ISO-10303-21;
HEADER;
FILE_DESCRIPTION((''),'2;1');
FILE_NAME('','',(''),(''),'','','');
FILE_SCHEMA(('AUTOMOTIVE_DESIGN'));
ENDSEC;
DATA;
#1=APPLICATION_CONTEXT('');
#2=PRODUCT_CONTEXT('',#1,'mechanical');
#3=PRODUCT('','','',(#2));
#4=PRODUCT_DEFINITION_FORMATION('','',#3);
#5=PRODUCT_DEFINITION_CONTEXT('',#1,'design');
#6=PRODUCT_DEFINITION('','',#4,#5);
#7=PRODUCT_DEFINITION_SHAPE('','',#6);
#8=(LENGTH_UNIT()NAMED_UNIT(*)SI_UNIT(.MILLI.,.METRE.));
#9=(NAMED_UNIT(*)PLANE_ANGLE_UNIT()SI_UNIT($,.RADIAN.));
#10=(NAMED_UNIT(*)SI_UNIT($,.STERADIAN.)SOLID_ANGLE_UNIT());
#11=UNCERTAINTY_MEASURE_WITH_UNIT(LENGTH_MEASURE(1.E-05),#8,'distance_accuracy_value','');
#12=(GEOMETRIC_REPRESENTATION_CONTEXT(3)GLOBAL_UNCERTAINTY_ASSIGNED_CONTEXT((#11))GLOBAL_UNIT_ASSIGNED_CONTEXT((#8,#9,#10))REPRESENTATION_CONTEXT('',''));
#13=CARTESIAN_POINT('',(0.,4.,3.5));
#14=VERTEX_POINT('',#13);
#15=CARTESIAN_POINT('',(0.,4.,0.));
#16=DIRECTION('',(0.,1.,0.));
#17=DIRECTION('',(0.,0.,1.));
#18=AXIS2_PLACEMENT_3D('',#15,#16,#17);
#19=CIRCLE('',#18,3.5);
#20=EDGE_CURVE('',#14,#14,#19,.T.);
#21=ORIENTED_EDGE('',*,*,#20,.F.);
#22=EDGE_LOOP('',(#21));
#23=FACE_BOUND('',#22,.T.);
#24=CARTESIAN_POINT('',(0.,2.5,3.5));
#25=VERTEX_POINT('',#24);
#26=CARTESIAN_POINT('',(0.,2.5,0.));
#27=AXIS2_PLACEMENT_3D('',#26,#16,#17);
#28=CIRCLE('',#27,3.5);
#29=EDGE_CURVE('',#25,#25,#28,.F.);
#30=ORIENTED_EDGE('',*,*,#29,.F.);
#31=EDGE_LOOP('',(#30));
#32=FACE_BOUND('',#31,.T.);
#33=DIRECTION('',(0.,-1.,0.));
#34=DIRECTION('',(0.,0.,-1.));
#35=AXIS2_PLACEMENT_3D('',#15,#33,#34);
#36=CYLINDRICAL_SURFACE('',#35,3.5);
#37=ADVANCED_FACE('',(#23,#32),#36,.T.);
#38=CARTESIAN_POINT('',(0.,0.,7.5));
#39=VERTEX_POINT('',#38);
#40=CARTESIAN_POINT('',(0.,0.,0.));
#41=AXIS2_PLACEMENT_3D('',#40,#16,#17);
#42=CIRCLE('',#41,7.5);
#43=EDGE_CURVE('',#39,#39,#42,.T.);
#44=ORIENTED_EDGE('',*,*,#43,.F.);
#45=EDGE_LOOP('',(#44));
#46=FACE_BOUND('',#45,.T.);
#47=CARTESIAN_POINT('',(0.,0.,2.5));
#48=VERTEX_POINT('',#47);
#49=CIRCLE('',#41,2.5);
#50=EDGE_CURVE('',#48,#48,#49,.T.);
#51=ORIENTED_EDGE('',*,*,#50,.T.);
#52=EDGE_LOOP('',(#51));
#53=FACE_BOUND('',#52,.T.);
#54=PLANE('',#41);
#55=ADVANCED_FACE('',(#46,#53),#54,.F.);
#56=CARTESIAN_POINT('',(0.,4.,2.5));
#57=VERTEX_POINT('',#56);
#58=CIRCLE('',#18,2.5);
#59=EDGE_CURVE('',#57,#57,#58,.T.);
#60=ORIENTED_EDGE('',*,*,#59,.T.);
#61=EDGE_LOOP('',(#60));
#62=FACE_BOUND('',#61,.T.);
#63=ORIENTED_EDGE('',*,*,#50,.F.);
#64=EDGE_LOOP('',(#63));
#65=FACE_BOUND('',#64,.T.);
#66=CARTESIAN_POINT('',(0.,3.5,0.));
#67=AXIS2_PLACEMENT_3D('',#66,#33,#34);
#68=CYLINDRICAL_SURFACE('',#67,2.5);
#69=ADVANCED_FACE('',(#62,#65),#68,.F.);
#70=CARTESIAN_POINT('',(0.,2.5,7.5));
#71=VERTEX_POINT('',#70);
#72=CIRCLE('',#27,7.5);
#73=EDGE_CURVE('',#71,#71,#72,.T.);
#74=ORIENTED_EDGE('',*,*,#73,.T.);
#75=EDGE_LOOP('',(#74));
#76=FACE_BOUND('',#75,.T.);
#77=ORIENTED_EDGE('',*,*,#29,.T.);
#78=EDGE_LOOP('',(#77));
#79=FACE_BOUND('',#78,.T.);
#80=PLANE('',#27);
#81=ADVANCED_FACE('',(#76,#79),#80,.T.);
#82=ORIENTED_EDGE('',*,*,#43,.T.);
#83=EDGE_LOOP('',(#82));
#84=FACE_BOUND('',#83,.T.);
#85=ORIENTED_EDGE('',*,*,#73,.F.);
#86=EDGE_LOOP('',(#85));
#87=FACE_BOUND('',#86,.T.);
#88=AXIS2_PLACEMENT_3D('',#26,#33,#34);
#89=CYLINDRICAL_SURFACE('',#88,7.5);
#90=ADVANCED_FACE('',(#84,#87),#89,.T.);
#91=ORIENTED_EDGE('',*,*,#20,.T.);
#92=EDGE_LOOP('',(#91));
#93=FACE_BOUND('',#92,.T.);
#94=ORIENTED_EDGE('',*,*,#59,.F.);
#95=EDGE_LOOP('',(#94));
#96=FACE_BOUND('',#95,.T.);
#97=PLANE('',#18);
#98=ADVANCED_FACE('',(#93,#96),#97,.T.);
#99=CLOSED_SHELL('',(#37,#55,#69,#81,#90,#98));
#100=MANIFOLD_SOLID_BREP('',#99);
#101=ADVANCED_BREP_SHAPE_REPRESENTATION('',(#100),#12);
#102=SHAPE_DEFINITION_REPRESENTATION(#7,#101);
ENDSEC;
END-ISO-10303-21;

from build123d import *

# Parameters (mm, degrees)
SKETCH1_R           = 7.5
BOSS_EXTRUDE2_DEPTH = 2.5
SKETCH1_6_R         = 2.5
CUT_EXTRUDE1_DEPTH  = 3.5
SKETCH1_7_R         = 3.5
SKETCH1_7_R_2       = 2.5
BOSS_EXTRUDE3_DEPTH = 4


with BuildPart() as part:
    # Sketch1 → Boss-Extrude2 (new body)
    with BuildSketch(Plane(origin=(0, 0, 0), x_dir=(1, 0, 0), z_dir=(0, 1, 0))):
        Circle(SKETCH1_R)
    extrude(amount=BOSS_EXTRUDE2_DEPTH)

    # Sketch1<6> → Cut-Extrude1 (cut)
    with BuildSketch(Plane(origin=(0, 0, 0), x_dir=(1, 0, 0), z_dir=(0, 1, 0))):
        Circle(SKETCH1_6_R)
    extrude(amount=CUT_EXTRUDE1_DEPTH, mode=Mode.SUBTRACT)

    # Sketch1<7> → Boss-Extrude3 (add)
    with BuildSketch(Plane(origin=(0, 0, 0), x_dir=(1, 0, 0), z_dir=(0, 1, 0))):
        Circle(SKETCH1_7_R)
        Circle(SKETCH1_7_R_2, mode=Mode.SUBTRACT)
    extrude(amount=BOSS_EXTRUDE3_DEPTH)


solid = part.part
